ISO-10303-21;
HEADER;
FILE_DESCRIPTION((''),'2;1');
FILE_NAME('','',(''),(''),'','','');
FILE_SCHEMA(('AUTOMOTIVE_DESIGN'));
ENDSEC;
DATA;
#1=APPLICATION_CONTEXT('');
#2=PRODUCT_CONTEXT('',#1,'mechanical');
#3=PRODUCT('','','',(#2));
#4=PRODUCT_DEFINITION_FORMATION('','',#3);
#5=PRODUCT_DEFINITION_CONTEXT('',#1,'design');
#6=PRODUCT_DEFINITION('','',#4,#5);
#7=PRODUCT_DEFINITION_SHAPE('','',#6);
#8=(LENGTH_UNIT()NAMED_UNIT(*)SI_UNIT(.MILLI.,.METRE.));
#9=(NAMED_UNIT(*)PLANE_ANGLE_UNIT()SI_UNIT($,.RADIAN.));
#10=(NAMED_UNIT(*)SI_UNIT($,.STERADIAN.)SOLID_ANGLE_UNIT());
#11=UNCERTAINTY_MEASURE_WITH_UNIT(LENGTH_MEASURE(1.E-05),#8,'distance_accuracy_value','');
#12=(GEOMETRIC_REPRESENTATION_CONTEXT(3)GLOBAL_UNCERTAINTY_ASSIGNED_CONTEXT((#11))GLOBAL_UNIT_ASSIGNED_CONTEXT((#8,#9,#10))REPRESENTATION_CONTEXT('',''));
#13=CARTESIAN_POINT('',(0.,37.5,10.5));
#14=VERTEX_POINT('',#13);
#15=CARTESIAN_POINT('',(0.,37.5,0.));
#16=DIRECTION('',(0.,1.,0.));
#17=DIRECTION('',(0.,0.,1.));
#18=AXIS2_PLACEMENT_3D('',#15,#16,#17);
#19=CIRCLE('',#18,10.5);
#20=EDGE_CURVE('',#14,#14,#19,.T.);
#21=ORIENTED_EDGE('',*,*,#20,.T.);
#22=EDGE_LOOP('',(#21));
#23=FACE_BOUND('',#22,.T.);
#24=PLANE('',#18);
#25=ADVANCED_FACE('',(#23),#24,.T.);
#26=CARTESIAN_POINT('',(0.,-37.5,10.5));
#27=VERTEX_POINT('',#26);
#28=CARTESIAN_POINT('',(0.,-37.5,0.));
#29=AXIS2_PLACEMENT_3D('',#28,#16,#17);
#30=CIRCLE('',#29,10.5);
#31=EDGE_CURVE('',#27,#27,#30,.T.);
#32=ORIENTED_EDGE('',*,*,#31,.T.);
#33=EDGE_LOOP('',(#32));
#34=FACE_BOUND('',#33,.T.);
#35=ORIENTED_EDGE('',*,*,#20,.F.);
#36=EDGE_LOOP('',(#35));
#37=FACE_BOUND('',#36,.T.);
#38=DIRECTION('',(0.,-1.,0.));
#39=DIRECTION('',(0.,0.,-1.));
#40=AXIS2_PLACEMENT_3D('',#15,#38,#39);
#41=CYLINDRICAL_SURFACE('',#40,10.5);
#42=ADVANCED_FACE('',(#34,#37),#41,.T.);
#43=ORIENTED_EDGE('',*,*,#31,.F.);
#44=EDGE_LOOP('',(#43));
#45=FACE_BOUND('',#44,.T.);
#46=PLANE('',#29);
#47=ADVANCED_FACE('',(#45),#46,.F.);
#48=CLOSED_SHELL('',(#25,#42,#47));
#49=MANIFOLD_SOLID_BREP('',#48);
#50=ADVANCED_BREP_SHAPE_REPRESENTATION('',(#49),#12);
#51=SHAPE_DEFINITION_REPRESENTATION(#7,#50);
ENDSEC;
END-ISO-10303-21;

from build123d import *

# Parameters (mm, degrees)
ESQUISSE1_R        = 10.5
BOSS_EXTRU_1_DEPTH = 37.5


with BuildPart() as part:
    # Esquisse1 → Boss.-Extru.1 (new body, symmetric)
    with BuildSketch(Plane(origin=(0, 0, 0), x_dir=(1, 0, 0), z_dir=(0, 1, 0))):
        Circle(ESQUISSE1_R)
    extrude(amount=BOSS_EXTRU_1_DEPTH, both=True)


solid = part.part
